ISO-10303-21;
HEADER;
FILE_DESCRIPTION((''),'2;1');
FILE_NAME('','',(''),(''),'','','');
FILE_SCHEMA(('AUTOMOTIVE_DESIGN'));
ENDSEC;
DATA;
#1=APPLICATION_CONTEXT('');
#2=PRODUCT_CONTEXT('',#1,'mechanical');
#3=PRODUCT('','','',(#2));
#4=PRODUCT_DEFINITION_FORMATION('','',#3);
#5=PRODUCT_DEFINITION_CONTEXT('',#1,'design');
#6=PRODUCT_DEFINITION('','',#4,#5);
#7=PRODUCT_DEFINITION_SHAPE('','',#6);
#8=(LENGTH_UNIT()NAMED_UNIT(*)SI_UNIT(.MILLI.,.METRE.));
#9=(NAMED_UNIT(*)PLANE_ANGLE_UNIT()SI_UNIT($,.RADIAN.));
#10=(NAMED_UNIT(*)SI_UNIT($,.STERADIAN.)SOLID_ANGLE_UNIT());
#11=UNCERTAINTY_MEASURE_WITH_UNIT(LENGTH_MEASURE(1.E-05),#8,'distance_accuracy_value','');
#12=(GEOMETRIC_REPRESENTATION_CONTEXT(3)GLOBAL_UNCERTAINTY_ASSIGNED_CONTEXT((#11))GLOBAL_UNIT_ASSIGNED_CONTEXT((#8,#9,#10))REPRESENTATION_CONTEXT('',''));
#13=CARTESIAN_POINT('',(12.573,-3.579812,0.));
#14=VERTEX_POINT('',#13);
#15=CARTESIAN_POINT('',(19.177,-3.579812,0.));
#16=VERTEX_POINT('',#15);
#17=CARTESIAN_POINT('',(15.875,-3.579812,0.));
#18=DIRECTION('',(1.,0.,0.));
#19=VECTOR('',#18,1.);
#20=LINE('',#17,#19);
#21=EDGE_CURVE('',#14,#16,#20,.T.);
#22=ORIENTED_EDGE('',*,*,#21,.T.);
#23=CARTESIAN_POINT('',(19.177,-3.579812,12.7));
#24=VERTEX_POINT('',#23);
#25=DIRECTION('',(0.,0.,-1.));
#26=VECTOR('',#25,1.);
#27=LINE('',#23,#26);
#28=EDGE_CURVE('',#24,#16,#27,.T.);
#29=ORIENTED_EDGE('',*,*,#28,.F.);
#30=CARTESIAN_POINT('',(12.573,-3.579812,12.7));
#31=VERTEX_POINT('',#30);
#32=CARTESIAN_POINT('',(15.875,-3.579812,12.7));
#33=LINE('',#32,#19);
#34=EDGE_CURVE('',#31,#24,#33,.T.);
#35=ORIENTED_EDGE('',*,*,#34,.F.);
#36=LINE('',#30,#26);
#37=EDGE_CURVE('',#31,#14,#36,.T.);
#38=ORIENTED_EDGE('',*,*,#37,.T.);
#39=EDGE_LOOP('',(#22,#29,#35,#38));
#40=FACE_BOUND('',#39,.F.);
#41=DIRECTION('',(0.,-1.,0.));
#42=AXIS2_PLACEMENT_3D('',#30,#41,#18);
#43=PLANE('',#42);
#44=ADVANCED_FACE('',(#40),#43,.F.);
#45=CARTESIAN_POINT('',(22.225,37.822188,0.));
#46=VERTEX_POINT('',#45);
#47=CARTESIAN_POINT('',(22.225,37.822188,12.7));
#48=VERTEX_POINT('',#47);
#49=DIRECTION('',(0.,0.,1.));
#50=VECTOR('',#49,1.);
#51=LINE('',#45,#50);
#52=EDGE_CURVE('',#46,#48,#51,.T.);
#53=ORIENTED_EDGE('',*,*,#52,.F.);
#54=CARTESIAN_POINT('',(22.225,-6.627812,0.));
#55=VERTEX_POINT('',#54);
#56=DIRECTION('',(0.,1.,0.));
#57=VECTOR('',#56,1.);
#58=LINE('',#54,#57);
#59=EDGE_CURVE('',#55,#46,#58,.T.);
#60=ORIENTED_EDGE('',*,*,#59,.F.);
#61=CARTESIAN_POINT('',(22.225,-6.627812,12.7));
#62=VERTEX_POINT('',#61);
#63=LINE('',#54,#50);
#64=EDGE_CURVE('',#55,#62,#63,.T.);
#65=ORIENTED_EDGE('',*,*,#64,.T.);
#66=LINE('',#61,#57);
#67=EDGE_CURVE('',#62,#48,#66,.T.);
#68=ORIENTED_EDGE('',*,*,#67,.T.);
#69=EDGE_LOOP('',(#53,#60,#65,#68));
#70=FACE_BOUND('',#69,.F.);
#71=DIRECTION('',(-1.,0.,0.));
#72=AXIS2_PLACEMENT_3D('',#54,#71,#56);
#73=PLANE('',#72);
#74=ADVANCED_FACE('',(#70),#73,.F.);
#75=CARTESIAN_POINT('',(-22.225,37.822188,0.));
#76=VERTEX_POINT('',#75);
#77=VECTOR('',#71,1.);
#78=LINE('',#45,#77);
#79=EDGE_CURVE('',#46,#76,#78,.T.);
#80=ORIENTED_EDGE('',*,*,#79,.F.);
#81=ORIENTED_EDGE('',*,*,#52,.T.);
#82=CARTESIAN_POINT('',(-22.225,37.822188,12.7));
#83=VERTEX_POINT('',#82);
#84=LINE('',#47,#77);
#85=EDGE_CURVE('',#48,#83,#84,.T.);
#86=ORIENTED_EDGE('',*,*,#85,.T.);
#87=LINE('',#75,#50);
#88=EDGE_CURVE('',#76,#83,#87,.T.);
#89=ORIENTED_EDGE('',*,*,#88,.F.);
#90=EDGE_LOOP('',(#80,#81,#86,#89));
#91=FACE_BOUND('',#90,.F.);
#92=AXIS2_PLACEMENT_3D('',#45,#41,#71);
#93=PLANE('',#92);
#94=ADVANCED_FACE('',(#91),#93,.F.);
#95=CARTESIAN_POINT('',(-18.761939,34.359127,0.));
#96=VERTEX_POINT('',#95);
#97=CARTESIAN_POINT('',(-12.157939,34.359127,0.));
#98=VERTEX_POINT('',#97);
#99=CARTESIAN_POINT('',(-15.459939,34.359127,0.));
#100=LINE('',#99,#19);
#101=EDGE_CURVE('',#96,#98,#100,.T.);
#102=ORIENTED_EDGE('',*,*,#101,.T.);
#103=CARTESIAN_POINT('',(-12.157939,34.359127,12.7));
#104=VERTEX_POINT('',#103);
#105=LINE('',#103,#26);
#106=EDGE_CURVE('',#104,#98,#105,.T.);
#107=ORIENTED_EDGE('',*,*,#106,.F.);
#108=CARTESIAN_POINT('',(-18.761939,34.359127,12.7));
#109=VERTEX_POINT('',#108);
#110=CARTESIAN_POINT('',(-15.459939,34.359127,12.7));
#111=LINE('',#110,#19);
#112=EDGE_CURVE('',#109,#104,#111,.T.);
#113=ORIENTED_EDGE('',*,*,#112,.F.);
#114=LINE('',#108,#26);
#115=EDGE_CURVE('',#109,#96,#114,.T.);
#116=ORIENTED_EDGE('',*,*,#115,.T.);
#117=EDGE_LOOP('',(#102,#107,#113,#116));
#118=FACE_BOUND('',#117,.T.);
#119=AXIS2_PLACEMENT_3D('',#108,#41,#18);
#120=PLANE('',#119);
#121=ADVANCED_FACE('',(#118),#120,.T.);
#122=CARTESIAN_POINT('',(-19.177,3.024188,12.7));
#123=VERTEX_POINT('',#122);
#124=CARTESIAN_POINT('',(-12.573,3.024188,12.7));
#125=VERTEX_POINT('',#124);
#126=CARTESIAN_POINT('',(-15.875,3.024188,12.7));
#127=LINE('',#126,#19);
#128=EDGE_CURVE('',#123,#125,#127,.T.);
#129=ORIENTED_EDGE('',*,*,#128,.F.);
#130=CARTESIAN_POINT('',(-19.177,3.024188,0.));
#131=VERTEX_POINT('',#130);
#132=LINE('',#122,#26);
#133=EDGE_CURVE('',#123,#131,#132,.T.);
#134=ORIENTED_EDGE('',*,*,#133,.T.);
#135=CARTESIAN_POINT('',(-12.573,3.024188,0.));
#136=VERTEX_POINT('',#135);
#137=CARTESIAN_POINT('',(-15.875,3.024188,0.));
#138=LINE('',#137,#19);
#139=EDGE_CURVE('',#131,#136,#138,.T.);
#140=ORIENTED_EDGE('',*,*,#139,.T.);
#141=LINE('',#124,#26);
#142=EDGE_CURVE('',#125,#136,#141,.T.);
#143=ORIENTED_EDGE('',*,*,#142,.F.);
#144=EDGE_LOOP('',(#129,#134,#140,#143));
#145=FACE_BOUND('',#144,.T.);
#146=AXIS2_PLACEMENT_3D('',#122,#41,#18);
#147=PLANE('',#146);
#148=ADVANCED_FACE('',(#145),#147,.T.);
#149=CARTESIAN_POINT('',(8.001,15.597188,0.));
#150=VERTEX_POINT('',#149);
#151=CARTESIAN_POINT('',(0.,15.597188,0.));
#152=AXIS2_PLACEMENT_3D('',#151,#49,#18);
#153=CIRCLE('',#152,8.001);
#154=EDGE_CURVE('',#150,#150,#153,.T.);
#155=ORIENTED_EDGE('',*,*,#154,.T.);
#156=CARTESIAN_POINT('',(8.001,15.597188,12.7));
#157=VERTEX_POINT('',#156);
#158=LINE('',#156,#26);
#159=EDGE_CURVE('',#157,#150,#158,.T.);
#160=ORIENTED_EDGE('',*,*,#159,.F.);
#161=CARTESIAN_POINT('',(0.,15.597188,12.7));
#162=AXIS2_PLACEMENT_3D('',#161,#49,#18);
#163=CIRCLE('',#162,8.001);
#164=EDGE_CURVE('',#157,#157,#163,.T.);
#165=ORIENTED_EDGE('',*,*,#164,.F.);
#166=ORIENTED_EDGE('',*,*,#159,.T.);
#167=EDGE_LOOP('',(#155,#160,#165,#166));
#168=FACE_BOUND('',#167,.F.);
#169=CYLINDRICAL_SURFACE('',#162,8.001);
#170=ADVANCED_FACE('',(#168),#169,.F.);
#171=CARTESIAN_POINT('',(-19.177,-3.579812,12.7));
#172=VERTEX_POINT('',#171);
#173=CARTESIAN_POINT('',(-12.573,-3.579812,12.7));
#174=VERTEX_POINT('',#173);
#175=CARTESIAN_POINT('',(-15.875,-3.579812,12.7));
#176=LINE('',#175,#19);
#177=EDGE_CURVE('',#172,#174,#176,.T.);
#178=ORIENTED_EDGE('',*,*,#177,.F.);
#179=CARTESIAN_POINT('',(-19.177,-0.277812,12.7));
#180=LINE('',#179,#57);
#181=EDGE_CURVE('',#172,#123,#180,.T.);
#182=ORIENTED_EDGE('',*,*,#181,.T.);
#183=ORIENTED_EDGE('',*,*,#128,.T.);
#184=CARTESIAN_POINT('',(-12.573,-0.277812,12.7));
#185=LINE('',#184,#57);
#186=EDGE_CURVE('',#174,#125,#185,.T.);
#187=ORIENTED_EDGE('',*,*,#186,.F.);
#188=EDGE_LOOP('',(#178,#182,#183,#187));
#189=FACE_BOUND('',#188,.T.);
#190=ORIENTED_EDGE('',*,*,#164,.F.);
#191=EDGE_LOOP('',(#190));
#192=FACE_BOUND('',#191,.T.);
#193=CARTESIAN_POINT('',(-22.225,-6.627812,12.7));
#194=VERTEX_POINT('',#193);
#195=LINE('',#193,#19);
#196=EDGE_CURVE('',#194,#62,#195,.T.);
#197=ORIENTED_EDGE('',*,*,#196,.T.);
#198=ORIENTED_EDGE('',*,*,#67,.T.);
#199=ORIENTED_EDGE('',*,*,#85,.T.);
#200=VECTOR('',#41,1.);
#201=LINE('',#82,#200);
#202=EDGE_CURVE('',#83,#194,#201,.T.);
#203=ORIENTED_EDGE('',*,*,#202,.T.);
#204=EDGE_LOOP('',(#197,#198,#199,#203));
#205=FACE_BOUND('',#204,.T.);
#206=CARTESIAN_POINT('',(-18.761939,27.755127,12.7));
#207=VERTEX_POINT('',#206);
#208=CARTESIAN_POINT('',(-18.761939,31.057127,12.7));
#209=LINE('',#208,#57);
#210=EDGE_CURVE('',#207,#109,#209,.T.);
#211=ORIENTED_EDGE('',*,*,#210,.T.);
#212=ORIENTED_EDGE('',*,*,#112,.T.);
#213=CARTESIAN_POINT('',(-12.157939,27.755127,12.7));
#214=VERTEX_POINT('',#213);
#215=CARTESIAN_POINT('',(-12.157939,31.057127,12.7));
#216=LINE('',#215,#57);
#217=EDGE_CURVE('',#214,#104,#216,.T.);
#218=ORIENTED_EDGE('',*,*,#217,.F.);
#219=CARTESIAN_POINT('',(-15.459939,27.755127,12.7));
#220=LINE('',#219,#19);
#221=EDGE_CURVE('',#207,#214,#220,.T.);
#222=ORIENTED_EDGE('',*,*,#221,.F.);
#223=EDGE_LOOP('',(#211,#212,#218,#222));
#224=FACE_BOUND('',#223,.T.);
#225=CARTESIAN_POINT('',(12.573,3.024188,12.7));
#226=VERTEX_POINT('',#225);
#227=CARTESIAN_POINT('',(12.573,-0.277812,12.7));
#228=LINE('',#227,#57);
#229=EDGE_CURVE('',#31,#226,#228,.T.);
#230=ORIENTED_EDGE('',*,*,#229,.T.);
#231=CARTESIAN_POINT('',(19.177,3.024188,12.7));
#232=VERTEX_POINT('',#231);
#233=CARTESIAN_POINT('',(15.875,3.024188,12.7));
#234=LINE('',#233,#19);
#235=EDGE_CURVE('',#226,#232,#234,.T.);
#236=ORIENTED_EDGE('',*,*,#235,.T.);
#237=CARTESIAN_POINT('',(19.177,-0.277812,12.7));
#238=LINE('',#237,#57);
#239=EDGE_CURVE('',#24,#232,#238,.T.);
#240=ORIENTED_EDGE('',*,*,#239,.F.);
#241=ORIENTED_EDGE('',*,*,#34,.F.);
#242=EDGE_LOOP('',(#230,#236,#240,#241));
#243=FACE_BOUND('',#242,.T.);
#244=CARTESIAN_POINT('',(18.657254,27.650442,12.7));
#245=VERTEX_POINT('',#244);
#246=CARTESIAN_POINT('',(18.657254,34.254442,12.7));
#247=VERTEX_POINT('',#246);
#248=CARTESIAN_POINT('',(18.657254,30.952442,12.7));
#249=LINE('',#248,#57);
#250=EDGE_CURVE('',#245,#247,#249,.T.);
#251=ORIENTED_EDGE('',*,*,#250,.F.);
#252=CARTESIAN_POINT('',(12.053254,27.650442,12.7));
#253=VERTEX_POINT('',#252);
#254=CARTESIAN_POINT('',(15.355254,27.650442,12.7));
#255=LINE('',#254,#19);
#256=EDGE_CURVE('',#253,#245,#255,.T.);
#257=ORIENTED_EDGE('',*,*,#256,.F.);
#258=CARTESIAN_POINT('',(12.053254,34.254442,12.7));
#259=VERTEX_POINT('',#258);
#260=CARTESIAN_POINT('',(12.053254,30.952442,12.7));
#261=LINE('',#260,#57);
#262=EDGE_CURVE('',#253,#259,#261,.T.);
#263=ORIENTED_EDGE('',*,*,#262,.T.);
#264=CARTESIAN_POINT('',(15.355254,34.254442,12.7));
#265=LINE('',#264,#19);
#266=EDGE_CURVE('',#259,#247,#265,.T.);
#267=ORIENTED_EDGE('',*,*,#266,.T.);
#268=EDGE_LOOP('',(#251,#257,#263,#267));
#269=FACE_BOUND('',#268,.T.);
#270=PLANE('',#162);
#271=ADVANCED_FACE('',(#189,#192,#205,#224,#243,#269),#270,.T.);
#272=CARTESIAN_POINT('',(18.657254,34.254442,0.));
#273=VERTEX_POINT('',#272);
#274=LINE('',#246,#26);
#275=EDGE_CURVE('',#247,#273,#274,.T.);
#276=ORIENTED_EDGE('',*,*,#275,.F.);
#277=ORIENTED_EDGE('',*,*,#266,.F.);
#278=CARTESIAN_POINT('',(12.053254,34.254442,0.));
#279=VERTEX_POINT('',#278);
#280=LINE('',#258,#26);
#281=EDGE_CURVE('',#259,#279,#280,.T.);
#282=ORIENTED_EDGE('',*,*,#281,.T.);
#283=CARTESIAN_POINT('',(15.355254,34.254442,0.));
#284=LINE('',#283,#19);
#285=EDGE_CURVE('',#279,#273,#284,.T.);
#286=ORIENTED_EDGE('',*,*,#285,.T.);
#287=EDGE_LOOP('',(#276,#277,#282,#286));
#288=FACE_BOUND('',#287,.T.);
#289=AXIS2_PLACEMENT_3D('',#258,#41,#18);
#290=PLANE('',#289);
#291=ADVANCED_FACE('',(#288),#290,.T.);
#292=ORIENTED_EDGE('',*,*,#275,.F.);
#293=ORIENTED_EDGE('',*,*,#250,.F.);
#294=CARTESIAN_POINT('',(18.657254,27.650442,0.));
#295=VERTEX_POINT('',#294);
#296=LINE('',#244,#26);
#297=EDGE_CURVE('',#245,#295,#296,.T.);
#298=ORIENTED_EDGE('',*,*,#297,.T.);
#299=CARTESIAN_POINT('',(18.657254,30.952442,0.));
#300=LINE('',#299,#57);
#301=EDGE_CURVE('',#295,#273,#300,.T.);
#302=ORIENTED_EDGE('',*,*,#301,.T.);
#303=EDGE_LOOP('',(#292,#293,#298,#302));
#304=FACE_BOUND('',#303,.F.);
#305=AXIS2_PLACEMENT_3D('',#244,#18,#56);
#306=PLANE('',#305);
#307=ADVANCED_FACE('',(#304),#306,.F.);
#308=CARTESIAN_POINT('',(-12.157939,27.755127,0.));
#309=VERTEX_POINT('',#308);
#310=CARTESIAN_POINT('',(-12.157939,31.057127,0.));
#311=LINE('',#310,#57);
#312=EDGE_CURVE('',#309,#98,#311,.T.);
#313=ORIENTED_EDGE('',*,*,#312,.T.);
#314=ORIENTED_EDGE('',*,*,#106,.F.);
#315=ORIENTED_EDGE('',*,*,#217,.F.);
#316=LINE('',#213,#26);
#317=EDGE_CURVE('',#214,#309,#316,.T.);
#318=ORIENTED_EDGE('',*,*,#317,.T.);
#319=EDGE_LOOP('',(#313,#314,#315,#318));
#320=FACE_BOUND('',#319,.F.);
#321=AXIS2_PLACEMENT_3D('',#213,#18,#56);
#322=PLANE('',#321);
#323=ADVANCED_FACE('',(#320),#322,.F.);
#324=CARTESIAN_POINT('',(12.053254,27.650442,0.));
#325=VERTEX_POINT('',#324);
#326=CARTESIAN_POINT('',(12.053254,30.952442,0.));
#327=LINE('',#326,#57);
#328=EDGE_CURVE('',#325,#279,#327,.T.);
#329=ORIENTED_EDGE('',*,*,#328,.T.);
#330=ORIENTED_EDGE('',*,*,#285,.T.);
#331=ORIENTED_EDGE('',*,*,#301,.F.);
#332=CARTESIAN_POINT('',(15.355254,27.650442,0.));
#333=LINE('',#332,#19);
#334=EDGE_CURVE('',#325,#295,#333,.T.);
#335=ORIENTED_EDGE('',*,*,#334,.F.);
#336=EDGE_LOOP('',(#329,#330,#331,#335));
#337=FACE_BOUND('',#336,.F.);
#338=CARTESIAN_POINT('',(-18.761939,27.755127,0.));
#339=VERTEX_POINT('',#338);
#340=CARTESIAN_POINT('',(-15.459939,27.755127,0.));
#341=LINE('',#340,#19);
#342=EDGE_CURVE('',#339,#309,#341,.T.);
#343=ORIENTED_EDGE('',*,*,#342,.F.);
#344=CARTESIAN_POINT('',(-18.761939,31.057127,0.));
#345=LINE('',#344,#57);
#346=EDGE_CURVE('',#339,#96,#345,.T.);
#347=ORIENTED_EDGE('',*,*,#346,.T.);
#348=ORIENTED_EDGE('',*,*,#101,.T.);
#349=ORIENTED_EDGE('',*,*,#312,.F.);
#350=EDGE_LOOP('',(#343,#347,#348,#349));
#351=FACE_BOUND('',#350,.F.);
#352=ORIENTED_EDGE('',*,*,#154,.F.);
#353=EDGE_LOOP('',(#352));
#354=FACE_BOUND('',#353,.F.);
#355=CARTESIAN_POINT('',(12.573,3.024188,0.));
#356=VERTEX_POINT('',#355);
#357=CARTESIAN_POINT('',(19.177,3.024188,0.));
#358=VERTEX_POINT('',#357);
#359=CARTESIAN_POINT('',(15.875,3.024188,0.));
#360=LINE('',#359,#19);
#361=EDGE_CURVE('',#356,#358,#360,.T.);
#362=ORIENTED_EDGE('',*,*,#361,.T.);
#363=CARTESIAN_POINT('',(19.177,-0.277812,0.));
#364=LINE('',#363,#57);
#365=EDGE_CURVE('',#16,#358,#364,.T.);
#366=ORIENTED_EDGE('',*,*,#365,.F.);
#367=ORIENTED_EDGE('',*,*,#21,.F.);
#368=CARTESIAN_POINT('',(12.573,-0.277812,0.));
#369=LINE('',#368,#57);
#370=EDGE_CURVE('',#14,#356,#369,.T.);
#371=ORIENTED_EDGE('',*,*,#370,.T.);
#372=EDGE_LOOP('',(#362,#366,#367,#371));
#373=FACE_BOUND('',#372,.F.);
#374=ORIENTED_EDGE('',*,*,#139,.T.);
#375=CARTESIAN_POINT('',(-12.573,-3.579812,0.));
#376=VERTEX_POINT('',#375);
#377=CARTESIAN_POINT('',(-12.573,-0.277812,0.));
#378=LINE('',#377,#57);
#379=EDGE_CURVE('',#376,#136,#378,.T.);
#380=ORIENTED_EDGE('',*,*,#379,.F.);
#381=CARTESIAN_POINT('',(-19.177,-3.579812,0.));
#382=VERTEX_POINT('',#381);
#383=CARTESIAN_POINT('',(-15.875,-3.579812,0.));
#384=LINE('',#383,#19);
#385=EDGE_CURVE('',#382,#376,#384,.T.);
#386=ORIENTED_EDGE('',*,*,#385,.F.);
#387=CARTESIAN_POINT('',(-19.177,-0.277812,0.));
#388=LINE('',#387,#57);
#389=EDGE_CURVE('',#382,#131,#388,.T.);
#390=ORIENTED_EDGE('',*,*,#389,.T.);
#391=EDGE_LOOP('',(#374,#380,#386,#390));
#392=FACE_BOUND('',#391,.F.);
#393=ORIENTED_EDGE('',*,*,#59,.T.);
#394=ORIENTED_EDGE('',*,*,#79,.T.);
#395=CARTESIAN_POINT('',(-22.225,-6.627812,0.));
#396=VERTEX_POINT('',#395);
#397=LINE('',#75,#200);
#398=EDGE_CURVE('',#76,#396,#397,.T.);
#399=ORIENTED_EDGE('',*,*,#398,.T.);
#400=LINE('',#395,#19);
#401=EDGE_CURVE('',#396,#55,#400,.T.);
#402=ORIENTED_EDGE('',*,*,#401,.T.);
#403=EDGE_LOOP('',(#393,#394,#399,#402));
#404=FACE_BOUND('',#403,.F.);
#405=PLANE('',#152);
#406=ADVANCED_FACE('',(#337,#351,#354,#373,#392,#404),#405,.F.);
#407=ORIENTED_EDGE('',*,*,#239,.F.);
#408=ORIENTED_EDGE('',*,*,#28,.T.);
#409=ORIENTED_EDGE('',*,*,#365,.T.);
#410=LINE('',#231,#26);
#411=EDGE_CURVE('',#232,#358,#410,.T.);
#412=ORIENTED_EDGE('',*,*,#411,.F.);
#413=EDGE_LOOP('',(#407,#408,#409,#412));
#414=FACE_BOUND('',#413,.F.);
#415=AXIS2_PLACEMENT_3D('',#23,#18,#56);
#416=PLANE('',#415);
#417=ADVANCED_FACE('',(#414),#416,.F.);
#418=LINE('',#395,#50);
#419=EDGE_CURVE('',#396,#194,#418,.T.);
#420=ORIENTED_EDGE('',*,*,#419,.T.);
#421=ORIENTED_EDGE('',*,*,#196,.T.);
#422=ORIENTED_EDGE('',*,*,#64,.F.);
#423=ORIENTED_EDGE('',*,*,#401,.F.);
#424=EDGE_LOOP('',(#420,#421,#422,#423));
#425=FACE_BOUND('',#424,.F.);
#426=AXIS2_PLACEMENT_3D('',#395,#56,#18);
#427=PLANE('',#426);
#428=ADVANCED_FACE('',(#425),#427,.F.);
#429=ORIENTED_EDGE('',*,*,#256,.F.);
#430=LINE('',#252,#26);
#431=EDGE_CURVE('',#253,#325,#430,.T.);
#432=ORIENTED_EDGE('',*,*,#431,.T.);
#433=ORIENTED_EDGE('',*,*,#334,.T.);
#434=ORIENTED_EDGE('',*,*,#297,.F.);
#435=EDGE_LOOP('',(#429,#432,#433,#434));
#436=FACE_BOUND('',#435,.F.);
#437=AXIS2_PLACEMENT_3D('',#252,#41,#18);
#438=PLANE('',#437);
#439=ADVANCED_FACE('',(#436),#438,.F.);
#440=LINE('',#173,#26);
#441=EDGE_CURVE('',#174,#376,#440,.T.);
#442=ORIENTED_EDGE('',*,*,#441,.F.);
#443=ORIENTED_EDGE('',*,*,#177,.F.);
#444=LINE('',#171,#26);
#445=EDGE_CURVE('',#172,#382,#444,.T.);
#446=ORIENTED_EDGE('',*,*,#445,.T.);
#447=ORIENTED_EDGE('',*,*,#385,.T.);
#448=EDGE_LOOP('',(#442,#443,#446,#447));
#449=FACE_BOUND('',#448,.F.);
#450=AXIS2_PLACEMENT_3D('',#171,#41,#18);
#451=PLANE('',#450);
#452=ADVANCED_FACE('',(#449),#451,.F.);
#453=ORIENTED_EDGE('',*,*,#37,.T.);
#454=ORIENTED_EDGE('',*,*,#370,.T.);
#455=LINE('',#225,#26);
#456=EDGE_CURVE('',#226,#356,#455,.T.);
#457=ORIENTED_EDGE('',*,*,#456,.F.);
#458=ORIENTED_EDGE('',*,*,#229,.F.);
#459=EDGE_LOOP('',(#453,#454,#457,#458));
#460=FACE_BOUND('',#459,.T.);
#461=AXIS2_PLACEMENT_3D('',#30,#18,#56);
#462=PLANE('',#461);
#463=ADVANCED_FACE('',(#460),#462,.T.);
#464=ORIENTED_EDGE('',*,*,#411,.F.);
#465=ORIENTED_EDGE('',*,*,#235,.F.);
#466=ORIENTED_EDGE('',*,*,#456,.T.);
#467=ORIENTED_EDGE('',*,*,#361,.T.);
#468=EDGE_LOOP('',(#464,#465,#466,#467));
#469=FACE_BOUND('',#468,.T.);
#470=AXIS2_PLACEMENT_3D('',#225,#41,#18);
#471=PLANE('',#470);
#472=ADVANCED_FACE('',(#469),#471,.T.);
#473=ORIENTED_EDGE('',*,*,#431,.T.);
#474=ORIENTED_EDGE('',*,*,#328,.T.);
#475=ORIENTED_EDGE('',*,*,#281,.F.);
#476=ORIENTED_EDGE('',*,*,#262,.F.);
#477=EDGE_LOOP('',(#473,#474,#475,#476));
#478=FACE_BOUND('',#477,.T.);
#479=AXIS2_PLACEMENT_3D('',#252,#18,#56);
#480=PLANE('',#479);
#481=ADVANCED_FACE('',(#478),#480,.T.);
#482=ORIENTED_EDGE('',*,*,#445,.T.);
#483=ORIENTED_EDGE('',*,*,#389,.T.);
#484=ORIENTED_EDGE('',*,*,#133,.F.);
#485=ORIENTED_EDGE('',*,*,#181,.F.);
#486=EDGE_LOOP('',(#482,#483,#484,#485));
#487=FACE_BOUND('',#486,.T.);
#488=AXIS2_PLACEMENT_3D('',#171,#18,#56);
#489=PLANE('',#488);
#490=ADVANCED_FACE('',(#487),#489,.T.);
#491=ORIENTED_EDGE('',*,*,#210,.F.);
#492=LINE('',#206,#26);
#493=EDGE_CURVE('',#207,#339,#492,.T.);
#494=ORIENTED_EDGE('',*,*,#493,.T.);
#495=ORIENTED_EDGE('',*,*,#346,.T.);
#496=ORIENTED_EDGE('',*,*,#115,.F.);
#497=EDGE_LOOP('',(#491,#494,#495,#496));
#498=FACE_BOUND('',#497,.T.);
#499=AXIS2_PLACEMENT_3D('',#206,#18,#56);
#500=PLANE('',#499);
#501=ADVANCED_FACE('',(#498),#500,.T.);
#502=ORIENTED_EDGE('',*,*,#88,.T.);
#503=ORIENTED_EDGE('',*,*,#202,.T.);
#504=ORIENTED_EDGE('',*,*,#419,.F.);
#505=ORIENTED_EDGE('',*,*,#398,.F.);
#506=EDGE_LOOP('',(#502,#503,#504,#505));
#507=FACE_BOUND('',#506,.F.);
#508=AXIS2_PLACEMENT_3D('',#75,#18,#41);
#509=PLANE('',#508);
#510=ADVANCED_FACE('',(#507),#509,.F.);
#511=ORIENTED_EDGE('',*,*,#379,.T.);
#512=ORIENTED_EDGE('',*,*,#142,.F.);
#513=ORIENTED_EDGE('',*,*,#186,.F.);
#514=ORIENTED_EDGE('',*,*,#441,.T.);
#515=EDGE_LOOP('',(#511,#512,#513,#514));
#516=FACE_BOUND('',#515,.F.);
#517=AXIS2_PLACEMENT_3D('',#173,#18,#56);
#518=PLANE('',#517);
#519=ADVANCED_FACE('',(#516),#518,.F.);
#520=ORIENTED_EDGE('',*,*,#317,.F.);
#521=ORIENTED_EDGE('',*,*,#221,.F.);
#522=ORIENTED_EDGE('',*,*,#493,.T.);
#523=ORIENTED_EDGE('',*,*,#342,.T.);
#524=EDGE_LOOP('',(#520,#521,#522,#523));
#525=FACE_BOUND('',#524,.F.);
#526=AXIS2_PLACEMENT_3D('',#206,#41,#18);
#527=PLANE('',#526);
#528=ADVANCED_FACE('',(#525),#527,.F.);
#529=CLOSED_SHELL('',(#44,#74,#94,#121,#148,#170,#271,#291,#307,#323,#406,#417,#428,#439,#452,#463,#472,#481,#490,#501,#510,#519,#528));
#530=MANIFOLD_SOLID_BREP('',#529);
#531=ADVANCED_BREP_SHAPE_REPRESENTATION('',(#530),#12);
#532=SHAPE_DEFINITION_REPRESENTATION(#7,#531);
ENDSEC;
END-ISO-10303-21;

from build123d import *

# Parameters (mm, degrees)
F1_DEPTH = 12.7
F2_R     = 8.001
F2_W     = 6.604
F2_H     = 6.604
F3_DEPTH = 12.7


with BuildPart() as f1:
    # F0 (on Top) → F1 (new body)
    with BuildSketch(Plane.XY):
        Polygon((22.225, 37.822188), (-22.225, 37.822188), (-22.225, -6.627812), (-5.278436, -6.627812), (12.779376, -6.627812), (22.225, -6.627812), align=None)
    extrude(amount=F1_DEPTH)

    # F2 (on face) → F3 (cut)
    with BuildSketch(Plane.XY.offset(12.7)):
        with Locations((0, 15.597188)):
            Circle(F2_R)
        with Locations((-15.459939, 31.057127)):
            Rectangle(F2_W, F2_H)
        with Locations((15.355254, 30.952442)):
            Rectangle(F2_W, F2_H)
        with Locations((15.875, -0.277812)):
            Rectangle(F2_W, F2_H)
        with Locations((-15.875, -0.277812)):
            Rectangle(F2_W, F2_H)
    extrude(amount=-F3_DEPTH, mode=Mode.SUBTRACT)


solid = f1.part
